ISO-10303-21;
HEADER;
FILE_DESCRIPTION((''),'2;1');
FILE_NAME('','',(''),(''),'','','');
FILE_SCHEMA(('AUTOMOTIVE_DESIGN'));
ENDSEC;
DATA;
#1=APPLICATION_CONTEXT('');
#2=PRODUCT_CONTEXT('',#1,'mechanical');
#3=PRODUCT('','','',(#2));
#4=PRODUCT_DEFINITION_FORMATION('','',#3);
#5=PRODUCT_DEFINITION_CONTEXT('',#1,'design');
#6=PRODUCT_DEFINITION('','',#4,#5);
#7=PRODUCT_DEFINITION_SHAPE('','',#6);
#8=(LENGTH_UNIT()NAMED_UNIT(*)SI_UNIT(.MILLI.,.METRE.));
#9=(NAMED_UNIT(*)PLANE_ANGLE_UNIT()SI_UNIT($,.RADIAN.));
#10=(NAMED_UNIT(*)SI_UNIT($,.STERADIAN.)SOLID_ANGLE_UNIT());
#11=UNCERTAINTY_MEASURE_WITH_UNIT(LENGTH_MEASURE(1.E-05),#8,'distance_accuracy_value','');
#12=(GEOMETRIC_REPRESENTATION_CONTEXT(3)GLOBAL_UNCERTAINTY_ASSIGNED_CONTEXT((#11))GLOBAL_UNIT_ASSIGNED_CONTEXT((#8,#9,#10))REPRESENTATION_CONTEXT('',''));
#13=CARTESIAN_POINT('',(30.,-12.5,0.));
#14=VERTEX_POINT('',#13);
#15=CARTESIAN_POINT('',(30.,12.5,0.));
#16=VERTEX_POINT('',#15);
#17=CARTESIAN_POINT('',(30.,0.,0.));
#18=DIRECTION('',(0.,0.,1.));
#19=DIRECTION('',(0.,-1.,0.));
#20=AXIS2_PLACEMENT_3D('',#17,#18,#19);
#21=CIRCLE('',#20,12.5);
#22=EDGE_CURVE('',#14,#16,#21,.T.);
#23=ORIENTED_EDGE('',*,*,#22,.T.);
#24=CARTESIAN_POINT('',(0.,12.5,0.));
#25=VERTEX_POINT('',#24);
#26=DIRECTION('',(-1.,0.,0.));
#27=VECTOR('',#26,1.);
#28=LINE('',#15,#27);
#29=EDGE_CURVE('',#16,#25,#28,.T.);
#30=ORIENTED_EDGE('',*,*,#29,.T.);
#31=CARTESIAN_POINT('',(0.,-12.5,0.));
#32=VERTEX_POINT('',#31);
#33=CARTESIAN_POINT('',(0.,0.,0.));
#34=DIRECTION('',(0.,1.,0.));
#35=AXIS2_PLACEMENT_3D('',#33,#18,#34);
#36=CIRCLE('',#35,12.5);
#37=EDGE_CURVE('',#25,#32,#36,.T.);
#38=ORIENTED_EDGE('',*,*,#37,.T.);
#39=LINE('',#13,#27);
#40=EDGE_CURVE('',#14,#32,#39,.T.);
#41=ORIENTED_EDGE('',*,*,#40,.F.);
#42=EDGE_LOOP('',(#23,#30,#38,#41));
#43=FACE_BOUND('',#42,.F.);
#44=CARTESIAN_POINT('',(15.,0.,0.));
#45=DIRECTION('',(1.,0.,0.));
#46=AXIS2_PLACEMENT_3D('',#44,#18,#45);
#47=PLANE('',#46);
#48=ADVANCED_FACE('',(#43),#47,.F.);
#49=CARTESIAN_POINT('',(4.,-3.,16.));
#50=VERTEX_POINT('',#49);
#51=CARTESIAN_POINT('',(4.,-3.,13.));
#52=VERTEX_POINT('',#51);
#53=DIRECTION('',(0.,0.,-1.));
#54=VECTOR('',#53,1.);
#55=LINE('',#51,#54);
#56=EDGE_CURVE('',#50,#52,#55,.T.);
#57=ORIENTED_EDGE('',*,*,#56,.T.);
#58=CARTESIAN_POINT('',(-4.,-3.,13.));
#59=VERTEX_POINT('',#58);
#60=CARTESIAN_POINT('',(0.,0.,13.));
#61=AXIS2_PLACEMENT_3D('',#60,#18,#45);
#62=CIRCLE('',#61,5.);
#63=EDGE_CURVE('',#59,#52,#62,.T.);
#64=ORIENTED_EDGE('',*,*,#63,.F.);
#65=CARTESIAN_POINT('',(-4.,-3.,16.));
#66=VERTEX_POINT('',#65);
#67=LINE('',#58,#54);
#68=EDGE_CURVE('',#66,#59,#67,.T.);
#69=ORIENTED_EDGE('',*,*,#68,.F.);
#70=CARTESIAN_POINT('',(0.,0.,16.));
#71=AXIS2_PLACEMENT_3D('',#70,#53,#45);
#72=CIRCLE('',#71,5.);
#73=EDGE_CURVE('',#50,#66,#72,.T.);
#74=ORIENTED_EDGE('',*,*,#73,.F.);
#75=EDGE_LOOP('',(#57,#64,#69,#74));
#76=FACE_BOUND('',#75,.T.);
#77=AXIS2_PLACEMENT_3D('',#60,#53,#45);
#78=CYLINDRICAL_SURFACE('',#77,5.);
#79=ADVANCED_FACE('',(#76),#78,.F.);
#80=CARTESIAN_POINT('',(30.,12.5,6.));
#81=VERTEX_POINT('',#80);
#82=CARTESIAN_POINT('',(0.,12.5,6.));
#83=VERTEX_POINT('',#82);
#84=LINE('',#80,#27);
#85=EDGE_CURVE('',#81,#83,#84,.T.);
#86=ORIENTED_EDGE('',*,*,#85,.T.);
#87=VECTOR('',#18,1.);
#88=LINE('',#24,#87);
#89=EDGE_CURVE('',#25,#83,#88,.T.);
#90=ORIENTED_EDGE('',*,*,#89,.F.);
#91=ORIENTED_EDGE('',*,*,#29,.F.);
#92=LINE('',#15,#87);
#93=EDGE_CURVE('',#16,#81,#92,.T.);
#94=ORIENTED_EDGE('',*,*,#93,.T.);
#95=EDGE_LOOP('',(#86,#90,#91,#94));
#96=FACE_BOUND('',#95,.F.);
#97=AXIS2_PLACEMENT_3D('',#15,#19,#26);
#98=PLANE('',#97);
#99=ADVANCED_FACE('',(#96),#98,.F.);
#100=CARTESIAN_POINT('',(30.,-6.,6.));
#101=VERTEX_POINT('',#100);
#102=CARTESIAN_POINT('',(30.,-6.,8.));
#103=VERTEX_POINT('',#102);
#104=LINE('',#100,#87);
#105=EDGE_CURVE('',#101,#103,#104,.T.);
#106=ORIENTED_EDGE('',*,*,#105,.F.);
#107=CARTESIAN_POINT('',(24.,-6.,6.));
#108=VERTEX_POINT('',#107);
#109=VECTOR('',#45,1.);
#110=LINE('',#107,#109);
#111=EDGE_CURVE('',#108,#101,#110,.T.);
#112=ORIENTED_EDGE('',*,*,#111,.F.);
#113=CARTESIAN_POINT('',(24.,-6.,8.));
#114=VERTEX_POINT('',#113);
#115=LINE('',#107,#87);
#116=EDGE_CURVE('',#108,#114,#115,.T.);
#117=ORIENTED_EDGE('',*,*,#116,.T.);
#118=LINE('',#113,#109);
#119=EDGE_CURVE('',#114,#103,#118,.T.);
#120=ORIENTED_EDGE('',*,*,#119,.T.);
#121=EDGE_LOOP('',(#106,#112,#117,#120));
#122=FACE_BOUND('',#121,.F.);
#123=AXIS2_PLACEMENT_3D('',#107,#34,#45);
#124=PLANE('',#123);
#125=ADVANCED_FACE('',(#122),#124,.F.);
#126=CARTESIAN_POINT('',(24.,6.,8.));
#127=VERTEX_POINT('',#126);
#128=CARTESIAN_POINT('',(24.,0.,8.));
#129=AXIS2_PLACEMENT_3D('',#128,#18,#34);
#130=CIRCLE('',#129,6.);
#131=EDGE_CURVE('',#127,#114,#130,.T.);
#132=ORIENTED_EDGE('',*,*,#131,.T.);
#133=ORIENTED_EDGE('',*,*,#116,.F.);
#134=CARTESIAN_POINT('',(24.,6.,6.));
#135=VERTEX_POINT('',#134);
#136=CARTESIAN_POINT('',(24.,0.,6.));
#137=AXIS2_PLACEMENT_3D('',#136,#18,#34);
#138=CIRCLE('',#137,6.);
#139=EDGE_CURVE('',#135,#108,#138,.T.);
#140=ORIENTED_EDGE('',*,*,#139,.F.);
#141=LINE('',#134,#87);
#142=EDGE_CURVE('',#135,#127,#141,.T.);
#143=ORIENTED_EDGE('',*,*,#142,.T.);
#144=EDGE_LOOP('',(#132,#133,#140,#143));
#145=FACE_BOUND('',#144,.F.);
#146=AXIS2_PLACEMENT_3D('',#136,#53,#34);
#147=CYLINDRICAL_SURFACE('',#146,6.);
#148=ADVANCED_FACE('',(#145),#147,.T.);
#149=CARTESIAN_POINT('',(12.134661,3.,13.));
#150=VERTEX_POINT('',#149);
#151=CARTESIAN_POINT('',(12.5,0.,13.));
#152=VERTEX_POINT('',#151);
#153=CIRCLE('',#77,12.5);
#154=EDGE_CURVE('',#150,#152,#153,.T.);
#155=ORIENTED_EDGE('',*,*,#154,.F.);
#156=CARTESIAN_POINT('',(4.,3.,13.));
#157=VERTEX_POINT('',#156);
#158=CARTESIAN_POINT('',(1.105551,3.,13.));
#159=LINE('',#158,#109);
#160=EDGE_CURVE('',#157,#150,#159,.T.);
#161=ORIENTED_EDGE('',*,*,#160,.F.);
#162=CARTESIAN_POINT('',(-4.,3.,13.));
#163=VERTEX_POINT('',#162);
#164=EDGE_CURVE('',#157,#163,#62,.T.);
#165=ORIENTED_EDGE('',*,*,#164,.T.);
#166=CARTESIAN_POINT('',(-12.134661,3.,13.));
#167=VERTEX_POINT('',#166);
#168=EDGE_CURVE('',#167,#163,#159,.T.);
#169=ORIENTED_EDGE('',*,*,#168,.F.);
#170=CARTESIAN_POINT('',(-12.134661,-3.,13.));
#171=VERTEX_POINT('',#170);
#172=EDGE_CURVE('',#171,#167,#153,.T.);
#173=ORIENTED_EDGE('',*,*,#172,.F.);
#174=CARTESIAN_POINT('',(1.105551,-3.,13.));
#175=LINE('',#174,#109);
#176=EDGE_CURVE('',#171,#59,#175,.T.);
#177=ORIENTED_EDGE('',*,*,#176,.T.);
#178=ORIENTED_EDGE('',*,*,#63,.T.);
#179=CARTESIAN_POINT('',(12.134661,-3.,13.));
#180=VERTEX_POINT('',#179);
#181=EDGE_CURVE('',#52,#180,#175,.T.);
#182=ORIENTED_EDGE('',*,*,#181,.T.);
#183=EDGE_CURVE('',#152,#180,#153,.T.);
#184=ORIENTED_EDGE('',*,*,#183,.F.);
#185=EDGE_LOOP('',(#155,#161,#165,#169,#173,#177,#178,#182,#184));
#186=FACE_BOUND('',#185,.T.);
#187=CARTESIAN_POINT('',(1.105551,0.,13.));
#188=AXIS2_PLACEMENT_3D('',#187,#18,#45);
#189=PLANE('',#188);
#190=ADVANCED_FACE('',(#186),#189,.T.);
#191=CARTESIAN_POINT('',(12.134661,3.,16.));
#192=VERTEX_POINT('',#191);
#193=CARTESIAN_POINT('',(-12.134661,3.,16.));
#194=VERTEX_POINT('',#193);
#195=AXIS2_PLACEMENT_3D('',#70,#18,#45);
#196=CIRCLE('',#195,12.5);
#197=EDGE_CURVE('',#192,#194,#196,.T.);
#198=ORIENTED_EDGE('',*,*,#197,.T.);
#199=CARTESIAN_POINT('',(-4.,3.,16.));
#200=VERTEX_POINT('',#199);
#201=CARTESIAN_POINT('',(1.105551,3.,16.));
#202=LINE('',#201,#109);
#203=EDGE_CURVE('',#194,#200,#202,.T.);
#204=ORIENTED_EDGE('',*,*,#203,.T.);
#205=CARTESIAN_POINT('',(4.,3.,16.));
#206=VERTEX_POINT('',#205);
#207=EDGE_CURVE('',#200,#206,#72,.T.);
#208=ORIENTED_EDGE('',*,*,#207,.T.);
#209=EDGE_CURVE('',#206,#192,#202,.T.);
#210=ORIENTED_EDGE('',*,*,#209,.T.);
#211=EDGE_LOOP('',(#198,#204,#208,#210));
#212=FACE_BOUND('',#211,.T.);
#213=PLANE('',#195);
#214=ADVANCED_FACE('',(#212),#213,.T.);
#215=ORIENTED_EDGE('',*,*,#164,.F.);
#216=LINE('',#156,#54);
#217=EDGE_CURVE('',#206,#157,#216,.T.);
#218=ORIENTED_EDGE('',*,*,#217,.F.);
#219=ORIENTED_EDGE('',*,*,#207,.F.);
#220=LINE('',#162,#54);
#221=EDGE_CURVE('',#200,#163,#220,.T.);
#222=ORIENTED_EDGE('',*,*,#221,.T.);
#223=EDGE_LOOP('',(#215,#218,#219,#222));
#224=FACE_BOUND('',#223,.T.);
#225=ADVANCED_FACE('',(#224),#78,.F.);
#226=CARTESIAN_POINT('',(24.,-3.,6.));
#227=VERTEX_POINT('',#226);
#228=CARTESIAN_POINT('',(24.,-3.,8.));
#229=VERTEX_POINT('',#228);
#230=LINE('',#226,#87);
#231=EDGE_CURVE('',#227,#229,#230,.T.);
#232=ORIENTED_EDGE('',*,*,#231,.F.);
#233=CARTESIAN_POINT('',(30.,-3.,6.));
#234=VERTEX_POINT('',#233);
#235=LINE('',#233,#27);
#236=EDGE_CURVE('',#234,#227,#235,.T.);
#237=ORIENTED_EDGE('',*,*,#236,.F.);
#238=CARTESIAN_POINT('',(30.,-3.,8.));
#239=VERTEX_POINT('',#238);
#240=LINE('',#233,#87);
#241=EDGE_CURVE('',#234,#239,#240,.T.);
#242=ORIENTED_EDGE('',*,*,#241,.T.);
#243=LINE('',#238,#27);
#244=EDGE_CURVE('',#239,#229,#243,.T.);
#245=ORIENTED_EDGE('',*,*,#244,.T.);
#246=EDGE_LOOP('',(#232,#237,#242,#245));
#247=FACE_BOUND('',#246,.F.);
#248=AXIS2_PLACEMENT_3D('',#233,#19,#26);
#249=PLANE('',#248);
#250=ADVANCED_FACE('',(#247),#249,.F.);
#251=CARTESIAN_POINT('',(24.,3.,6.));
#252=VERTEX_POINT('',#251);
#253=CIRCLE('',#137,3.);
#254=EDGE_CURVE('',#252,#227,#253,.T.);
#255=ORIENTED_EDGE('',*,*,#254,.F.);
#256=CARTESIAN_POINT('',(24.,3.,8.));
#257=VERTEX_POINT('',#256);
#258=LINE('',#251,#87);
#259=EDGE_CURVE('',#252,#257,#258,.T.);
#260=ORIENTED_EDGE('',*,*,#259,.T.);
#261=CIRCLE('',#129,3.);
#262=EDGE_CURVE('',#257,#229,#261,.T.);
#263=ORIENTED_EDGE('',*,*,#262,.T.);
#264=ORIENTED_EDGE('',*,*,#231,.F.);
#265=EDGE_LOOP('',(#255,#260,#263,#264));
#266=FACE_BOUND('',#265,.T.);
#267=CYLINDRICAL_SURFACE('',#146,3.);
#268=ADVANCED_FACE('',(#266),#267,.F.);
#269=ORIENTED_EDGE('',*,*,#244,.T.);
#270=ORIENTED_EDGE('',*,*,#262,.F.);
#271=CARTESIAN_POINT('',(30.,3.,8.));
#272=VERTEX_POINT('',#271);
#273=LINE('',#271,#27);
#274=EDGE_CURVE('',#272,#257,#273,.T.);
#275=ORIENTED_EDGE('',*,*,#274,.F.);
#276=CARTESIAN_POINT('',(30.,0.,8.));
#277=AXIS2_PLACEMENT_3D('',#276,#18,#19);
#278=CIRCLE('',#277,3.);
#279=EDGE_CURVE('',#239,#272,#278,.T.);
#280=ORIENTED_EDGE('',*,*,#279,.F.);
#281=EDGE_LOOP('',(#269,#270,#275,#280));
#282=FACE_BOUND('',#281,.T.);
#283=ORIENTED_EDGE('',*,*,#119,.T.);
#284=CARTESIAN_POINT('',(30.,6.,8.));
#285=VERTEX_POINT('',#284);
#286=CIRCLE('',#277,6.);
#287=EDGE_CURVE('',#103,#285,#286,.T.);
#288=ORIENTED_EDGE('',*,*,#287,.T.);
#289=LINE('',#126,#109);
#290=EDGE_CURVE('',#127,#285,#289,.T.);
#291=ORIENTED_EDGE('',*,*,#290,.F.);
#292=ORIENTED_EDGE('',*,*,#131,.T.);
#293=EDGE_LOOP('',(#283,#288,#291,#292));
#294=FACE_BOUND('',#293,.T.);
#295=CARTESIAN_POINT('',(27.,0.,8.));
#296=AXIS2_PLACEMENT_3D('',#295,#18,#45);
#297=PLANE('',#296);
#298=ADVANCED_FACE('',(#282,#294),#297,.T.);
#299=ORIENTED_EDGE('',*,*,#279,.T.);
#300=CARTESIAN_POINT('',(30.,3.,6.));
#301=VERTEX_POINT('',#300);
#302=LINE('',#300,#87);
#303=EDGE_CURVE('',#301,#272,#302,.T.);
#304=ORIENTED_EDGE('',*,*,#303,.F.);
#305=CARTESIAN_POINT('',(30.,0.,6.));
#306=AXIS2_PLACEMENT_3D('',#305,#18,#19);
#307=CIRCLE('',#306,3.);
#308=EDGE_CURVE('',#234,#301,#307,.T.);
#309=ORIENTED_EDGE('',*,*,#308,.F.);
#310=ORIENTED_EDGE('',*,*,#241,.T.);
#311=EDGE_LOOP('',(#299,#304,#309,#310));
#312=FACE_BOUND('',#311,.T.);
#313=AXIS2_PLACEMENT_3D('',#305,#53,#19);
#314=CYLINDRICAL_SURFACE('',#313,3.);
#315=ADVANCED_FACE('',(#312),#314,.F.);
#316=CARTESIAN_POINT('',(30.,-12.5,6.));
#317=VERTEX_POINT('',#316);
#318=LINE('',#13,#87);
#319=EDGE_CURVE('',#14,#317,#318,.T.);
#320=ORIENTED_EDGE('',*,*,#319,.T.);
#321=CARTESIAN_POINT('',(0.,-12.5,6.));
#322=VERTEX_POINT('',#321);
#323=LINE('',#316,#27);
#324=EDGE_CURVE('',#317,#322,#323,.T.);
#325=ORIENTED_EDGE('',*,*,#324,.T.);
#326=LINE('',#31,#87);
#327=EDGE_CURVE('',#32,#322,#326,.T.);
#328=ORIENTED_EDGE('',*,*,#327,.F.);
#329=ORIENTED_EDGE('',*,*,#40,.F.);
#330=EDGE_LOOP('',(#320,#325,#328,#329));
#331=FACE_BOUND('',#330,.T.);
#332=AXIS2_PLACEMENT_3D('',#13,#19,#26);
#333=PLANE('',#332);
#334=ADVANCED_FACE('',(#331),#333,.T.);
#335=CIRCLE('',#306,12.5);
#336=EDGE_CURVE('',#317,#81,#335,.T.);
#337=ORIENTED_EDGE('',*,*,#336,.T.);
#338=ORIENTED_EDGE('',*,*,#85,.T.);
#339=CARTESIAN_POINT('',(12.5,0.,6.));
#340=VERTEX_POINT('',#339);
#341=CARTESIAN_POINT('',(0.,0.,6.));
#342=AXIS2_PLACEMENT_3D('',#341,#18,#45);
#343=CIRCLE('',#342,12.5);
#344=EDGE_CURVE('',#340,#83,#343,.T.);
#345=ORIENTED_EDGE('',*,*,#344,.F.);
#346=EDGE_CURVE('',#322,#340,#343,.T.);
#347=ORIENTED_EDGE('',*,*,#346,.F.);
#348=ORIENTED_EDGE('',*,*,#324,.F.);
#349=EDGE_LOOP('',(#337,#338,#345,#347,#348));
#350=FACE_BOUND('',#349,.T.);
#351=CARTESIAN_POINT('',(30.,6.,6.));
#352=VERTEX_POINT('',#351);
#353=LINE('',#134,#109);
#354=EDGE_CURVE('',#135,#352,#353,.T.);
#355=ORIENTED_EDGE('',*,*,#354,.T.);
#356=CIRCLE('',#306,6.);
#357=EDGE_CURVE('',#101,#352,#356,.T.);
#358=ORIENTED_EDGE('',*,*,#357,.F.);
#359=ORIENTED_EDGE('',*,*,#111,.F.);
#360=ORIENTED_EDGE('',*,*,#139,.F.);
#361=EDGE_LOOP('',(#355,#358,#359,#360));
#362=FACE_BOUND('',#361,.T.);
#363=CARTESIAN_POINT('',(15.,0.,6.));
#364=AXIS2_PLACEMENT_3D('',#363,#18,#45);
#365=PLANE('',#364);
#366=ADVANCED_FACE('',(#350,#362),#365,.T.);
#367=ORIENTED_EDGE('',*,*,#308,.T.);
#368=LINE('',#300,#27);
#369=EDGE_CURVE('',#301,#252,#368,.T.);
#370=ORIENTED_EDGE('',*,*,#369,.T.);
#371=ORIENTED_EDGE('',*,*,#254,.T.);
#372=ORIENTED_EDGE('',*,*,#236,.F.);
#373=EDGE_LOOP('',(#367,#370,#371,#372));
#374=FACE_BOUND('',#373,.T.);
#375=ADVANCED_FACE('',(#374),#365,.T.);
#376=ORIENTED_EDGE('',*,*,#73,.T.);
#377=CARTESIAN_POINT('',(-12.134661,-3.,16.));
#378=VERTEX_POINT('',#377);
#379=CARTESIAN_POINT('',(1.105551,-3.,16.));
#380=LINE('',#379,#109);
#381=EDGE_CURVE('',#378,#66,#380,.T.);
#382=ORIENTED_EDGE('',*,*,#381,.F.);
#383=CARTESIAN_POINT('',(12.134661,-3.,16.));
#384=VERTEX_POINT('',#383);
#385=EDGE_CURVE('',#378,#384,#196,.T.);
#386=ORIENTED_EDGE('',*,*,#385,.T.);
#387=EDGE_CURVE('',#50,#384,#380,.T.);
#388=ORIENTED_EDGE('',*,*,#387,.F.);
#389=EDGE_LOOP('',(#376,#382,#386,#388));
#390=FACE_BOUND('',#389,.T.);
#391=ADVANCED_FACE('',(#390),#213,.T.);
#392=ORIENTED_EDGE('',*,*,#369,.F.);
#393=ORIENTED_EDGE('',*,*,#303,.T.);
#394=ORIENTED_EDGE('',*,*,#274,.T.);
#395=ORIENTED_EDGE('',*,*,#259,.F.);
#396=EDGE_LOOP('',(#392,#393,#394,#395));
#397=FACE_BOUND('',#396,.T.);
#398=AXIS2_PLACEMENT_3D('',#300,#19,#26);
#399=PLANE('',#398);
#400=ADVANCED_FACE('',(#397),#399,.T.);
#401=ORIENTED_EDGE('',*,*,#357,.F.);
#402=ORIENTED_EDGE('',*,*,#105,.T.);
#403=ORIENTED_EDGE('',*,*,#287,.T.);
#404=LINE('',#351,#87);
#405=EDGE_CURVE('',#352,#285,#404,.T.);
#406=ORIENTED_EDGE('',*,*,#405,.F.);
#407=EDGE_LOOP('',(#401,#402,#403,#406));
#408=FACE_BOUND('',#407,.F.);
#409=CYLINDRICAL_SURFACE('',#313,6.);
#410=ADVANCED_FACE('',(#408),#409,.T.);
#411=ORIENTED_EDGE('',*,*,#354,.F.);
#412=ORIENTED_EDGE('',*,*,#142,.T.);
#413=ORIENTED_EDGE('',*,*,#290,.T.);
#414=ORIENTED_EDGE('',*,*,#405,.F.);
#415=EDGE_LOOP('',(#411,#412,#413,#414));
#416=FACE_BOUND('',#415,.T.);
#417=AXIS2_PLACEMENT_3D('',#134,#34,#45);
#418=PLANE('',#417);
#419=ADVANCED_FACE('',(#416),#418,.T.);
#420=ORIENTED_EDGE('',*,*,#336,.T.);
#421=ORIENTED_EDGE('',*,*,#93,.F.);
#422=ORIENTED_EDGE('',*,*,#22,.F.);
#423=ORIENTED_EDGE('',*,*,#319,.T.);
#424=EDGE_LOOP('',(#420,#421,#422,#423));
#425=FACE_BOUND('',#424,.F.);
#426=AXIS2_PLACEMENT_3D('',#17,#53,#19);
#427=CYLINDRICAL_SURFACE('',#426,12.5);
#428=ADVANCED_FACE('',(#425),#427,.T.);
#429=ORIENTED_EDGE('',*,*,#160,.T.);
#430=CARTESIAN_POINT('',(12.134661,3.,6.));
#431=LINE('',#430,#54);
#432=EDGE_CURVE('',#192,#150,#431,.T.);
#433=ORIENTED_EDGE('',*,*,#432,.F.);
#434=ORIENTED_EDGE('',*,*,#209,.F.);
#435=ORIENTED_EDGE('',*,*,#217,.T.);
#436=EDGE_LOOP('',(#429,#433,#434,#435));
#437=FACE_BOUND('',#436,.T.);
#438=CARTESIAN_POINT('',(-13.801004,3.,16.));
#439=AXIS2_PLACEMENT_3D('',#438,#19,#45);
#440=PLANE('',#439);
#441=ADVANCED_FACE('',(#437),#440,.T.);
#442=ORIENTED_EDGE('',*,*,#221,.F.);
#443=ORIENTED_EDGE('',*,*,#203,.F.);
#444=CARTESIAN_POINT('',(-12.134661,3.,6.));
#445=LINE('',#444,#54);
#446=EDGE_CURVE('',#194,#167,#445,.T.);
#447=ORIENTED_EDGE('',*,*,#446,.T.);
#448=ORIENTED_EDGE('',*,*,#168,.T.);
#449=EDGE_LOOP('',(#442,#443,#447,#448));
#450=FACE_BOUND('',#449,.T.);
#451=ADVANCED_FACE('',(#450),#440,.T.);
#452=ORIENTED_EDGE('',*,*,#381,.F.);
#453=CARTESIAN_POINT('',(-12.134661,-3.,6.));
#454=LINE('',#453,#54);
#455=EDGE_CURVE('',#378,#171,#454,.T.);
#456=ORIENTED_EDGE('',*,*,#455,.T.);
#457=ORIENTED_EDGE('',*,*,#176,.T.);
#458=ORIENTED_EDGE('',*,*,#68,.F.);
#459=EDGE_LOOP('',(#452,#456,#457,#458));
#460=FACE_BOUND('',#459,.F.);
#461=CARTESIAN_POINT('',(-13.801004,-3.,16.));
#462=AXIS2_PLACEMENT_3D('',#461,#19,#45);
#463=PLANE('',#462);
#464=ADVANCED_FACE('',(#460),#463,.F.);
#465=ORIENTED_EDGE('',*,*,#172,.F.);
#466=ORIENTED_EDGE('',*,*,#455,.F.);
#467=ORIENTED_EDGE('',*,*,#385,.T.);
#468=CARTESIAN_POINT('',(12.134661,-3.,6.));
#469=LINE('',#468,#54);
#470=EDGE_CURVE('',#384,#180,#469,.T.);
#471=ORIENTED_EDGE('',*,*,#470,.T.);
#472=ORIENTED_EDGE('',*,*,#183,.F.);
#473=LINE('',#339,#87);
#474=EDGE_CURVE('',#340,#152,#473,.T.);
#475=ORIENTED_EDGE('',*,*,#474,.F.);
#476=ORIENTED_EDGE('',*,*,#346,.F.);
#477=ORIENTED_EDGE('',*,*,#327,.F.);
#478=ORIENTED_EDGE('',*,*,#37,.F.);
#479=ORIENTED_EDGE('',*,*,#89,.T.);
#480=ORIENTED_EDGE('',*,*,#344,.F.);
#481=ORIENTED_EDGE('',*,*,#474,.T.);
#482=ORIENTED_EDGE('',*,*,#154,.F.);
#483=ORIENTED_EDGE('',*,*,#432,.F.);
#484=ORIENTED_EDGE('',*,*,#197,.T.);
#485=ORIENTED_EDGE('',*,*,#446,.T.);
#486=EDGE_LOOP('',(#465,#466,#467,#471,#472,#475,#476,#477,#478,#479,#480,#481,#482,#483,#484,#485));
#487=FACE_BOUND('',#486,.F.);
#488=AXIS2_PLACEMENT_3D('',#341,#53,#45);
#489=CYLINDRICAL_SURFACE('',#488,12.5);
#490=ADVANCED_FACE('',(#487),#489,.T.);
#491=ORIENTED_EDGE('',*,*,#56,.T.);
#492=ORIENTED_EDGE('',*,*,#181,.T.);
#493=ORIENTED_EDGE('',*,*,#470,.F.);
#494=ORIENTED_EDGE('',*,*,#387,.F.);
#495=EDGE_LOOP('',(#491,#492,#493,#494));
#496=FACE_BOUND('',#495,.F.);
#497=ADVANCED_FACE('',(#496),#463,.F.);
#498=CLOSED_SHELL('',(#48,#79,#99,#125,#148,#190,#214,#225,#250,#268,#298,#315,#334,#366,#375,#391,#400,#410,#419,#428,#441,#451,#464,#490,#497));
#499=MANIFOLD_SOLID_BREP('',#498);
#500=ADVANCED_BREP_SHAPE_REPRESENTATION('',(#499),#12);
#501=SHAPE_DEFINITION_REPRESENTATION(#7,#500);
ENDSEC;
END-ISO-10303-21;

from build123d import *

# Parameters (mm, degrees)
PAD_DEPTH       = 6
SKETCH001_R     = 12.5
PAD001_DEPTH    = 10
SKETCH002_W     = 29.813109
SKETCH002_H     = 6
POCKET_DEPTH    = 3
SKETCH003_R     = 5
POCKET001_DEPTH = 5
PAD002_DEPTH    = 2


with BuildPart() as part:
    # Sketch → Pad (new body)
    with BuildSketch(Plane.XY):
        with BuildLine():
            ThreePointArc((30, -12.5), (42.5, 0), (30, 12.5))
            Line((30, 12.5), (0, 12.5))
            ThreePointArc((0, 12.5), (-12.5, 0), (0, -12.5))
            Line((30, -12.5), (0, -12.5))
        make_face()
    extrude(amount=PAD_DEPTH)

    # Sketch001 → Pad001 (new body)
    with BuildSketch(Plane.XY.offset(6)):
        Circle(SKETCH001_R)
    extrude(amount=PAD001_DEPTH)

    # Sketch002 → Pocket (cut)
    with BuildSketch(Plane.XY.offset(16)):
        with Locations((1.105551, 0)):
            Rectangle(SKETCH002_W, SKETCH002_H)
    extrude(amount=-POCKET_DEPTH, mode=Mode.SUBTRACT)

    # Sketch003 → Pocket001 (cut)
    with BuildSketch(Plane.XY.offset(13)):
        Circle(SKETCH003_R)
    extrude(amount=POCKET001_DEPTH, mode=Mode.SUBTRACT)

    # Sketch004 → Pad002 (new body)
    with BuildSketch(Plane.XY.offset(6)):
        with BuildLine():
            ThreePointArc((24, 6), (18, 0), (24, -6))
            Line((24, -6), (30, -6))
            ThreePointArc((30, -6), (36, 0), (30, 6))
            Line((24, 6), (30, 6))
        make_face()
        with BuildLine():
            ThreePointArc((30, -3), (33, 0), (30, 3))
            Line((30, 3), (24, 3))
            ThreePointArc((24, 3), (21, 0), (24, -3))
            Line((30, -3), (24, -3))
        make_face(mode=Mode.SUBTRACT)
    extrude(amount=PAD002_DEPTH)


solid = part.part
